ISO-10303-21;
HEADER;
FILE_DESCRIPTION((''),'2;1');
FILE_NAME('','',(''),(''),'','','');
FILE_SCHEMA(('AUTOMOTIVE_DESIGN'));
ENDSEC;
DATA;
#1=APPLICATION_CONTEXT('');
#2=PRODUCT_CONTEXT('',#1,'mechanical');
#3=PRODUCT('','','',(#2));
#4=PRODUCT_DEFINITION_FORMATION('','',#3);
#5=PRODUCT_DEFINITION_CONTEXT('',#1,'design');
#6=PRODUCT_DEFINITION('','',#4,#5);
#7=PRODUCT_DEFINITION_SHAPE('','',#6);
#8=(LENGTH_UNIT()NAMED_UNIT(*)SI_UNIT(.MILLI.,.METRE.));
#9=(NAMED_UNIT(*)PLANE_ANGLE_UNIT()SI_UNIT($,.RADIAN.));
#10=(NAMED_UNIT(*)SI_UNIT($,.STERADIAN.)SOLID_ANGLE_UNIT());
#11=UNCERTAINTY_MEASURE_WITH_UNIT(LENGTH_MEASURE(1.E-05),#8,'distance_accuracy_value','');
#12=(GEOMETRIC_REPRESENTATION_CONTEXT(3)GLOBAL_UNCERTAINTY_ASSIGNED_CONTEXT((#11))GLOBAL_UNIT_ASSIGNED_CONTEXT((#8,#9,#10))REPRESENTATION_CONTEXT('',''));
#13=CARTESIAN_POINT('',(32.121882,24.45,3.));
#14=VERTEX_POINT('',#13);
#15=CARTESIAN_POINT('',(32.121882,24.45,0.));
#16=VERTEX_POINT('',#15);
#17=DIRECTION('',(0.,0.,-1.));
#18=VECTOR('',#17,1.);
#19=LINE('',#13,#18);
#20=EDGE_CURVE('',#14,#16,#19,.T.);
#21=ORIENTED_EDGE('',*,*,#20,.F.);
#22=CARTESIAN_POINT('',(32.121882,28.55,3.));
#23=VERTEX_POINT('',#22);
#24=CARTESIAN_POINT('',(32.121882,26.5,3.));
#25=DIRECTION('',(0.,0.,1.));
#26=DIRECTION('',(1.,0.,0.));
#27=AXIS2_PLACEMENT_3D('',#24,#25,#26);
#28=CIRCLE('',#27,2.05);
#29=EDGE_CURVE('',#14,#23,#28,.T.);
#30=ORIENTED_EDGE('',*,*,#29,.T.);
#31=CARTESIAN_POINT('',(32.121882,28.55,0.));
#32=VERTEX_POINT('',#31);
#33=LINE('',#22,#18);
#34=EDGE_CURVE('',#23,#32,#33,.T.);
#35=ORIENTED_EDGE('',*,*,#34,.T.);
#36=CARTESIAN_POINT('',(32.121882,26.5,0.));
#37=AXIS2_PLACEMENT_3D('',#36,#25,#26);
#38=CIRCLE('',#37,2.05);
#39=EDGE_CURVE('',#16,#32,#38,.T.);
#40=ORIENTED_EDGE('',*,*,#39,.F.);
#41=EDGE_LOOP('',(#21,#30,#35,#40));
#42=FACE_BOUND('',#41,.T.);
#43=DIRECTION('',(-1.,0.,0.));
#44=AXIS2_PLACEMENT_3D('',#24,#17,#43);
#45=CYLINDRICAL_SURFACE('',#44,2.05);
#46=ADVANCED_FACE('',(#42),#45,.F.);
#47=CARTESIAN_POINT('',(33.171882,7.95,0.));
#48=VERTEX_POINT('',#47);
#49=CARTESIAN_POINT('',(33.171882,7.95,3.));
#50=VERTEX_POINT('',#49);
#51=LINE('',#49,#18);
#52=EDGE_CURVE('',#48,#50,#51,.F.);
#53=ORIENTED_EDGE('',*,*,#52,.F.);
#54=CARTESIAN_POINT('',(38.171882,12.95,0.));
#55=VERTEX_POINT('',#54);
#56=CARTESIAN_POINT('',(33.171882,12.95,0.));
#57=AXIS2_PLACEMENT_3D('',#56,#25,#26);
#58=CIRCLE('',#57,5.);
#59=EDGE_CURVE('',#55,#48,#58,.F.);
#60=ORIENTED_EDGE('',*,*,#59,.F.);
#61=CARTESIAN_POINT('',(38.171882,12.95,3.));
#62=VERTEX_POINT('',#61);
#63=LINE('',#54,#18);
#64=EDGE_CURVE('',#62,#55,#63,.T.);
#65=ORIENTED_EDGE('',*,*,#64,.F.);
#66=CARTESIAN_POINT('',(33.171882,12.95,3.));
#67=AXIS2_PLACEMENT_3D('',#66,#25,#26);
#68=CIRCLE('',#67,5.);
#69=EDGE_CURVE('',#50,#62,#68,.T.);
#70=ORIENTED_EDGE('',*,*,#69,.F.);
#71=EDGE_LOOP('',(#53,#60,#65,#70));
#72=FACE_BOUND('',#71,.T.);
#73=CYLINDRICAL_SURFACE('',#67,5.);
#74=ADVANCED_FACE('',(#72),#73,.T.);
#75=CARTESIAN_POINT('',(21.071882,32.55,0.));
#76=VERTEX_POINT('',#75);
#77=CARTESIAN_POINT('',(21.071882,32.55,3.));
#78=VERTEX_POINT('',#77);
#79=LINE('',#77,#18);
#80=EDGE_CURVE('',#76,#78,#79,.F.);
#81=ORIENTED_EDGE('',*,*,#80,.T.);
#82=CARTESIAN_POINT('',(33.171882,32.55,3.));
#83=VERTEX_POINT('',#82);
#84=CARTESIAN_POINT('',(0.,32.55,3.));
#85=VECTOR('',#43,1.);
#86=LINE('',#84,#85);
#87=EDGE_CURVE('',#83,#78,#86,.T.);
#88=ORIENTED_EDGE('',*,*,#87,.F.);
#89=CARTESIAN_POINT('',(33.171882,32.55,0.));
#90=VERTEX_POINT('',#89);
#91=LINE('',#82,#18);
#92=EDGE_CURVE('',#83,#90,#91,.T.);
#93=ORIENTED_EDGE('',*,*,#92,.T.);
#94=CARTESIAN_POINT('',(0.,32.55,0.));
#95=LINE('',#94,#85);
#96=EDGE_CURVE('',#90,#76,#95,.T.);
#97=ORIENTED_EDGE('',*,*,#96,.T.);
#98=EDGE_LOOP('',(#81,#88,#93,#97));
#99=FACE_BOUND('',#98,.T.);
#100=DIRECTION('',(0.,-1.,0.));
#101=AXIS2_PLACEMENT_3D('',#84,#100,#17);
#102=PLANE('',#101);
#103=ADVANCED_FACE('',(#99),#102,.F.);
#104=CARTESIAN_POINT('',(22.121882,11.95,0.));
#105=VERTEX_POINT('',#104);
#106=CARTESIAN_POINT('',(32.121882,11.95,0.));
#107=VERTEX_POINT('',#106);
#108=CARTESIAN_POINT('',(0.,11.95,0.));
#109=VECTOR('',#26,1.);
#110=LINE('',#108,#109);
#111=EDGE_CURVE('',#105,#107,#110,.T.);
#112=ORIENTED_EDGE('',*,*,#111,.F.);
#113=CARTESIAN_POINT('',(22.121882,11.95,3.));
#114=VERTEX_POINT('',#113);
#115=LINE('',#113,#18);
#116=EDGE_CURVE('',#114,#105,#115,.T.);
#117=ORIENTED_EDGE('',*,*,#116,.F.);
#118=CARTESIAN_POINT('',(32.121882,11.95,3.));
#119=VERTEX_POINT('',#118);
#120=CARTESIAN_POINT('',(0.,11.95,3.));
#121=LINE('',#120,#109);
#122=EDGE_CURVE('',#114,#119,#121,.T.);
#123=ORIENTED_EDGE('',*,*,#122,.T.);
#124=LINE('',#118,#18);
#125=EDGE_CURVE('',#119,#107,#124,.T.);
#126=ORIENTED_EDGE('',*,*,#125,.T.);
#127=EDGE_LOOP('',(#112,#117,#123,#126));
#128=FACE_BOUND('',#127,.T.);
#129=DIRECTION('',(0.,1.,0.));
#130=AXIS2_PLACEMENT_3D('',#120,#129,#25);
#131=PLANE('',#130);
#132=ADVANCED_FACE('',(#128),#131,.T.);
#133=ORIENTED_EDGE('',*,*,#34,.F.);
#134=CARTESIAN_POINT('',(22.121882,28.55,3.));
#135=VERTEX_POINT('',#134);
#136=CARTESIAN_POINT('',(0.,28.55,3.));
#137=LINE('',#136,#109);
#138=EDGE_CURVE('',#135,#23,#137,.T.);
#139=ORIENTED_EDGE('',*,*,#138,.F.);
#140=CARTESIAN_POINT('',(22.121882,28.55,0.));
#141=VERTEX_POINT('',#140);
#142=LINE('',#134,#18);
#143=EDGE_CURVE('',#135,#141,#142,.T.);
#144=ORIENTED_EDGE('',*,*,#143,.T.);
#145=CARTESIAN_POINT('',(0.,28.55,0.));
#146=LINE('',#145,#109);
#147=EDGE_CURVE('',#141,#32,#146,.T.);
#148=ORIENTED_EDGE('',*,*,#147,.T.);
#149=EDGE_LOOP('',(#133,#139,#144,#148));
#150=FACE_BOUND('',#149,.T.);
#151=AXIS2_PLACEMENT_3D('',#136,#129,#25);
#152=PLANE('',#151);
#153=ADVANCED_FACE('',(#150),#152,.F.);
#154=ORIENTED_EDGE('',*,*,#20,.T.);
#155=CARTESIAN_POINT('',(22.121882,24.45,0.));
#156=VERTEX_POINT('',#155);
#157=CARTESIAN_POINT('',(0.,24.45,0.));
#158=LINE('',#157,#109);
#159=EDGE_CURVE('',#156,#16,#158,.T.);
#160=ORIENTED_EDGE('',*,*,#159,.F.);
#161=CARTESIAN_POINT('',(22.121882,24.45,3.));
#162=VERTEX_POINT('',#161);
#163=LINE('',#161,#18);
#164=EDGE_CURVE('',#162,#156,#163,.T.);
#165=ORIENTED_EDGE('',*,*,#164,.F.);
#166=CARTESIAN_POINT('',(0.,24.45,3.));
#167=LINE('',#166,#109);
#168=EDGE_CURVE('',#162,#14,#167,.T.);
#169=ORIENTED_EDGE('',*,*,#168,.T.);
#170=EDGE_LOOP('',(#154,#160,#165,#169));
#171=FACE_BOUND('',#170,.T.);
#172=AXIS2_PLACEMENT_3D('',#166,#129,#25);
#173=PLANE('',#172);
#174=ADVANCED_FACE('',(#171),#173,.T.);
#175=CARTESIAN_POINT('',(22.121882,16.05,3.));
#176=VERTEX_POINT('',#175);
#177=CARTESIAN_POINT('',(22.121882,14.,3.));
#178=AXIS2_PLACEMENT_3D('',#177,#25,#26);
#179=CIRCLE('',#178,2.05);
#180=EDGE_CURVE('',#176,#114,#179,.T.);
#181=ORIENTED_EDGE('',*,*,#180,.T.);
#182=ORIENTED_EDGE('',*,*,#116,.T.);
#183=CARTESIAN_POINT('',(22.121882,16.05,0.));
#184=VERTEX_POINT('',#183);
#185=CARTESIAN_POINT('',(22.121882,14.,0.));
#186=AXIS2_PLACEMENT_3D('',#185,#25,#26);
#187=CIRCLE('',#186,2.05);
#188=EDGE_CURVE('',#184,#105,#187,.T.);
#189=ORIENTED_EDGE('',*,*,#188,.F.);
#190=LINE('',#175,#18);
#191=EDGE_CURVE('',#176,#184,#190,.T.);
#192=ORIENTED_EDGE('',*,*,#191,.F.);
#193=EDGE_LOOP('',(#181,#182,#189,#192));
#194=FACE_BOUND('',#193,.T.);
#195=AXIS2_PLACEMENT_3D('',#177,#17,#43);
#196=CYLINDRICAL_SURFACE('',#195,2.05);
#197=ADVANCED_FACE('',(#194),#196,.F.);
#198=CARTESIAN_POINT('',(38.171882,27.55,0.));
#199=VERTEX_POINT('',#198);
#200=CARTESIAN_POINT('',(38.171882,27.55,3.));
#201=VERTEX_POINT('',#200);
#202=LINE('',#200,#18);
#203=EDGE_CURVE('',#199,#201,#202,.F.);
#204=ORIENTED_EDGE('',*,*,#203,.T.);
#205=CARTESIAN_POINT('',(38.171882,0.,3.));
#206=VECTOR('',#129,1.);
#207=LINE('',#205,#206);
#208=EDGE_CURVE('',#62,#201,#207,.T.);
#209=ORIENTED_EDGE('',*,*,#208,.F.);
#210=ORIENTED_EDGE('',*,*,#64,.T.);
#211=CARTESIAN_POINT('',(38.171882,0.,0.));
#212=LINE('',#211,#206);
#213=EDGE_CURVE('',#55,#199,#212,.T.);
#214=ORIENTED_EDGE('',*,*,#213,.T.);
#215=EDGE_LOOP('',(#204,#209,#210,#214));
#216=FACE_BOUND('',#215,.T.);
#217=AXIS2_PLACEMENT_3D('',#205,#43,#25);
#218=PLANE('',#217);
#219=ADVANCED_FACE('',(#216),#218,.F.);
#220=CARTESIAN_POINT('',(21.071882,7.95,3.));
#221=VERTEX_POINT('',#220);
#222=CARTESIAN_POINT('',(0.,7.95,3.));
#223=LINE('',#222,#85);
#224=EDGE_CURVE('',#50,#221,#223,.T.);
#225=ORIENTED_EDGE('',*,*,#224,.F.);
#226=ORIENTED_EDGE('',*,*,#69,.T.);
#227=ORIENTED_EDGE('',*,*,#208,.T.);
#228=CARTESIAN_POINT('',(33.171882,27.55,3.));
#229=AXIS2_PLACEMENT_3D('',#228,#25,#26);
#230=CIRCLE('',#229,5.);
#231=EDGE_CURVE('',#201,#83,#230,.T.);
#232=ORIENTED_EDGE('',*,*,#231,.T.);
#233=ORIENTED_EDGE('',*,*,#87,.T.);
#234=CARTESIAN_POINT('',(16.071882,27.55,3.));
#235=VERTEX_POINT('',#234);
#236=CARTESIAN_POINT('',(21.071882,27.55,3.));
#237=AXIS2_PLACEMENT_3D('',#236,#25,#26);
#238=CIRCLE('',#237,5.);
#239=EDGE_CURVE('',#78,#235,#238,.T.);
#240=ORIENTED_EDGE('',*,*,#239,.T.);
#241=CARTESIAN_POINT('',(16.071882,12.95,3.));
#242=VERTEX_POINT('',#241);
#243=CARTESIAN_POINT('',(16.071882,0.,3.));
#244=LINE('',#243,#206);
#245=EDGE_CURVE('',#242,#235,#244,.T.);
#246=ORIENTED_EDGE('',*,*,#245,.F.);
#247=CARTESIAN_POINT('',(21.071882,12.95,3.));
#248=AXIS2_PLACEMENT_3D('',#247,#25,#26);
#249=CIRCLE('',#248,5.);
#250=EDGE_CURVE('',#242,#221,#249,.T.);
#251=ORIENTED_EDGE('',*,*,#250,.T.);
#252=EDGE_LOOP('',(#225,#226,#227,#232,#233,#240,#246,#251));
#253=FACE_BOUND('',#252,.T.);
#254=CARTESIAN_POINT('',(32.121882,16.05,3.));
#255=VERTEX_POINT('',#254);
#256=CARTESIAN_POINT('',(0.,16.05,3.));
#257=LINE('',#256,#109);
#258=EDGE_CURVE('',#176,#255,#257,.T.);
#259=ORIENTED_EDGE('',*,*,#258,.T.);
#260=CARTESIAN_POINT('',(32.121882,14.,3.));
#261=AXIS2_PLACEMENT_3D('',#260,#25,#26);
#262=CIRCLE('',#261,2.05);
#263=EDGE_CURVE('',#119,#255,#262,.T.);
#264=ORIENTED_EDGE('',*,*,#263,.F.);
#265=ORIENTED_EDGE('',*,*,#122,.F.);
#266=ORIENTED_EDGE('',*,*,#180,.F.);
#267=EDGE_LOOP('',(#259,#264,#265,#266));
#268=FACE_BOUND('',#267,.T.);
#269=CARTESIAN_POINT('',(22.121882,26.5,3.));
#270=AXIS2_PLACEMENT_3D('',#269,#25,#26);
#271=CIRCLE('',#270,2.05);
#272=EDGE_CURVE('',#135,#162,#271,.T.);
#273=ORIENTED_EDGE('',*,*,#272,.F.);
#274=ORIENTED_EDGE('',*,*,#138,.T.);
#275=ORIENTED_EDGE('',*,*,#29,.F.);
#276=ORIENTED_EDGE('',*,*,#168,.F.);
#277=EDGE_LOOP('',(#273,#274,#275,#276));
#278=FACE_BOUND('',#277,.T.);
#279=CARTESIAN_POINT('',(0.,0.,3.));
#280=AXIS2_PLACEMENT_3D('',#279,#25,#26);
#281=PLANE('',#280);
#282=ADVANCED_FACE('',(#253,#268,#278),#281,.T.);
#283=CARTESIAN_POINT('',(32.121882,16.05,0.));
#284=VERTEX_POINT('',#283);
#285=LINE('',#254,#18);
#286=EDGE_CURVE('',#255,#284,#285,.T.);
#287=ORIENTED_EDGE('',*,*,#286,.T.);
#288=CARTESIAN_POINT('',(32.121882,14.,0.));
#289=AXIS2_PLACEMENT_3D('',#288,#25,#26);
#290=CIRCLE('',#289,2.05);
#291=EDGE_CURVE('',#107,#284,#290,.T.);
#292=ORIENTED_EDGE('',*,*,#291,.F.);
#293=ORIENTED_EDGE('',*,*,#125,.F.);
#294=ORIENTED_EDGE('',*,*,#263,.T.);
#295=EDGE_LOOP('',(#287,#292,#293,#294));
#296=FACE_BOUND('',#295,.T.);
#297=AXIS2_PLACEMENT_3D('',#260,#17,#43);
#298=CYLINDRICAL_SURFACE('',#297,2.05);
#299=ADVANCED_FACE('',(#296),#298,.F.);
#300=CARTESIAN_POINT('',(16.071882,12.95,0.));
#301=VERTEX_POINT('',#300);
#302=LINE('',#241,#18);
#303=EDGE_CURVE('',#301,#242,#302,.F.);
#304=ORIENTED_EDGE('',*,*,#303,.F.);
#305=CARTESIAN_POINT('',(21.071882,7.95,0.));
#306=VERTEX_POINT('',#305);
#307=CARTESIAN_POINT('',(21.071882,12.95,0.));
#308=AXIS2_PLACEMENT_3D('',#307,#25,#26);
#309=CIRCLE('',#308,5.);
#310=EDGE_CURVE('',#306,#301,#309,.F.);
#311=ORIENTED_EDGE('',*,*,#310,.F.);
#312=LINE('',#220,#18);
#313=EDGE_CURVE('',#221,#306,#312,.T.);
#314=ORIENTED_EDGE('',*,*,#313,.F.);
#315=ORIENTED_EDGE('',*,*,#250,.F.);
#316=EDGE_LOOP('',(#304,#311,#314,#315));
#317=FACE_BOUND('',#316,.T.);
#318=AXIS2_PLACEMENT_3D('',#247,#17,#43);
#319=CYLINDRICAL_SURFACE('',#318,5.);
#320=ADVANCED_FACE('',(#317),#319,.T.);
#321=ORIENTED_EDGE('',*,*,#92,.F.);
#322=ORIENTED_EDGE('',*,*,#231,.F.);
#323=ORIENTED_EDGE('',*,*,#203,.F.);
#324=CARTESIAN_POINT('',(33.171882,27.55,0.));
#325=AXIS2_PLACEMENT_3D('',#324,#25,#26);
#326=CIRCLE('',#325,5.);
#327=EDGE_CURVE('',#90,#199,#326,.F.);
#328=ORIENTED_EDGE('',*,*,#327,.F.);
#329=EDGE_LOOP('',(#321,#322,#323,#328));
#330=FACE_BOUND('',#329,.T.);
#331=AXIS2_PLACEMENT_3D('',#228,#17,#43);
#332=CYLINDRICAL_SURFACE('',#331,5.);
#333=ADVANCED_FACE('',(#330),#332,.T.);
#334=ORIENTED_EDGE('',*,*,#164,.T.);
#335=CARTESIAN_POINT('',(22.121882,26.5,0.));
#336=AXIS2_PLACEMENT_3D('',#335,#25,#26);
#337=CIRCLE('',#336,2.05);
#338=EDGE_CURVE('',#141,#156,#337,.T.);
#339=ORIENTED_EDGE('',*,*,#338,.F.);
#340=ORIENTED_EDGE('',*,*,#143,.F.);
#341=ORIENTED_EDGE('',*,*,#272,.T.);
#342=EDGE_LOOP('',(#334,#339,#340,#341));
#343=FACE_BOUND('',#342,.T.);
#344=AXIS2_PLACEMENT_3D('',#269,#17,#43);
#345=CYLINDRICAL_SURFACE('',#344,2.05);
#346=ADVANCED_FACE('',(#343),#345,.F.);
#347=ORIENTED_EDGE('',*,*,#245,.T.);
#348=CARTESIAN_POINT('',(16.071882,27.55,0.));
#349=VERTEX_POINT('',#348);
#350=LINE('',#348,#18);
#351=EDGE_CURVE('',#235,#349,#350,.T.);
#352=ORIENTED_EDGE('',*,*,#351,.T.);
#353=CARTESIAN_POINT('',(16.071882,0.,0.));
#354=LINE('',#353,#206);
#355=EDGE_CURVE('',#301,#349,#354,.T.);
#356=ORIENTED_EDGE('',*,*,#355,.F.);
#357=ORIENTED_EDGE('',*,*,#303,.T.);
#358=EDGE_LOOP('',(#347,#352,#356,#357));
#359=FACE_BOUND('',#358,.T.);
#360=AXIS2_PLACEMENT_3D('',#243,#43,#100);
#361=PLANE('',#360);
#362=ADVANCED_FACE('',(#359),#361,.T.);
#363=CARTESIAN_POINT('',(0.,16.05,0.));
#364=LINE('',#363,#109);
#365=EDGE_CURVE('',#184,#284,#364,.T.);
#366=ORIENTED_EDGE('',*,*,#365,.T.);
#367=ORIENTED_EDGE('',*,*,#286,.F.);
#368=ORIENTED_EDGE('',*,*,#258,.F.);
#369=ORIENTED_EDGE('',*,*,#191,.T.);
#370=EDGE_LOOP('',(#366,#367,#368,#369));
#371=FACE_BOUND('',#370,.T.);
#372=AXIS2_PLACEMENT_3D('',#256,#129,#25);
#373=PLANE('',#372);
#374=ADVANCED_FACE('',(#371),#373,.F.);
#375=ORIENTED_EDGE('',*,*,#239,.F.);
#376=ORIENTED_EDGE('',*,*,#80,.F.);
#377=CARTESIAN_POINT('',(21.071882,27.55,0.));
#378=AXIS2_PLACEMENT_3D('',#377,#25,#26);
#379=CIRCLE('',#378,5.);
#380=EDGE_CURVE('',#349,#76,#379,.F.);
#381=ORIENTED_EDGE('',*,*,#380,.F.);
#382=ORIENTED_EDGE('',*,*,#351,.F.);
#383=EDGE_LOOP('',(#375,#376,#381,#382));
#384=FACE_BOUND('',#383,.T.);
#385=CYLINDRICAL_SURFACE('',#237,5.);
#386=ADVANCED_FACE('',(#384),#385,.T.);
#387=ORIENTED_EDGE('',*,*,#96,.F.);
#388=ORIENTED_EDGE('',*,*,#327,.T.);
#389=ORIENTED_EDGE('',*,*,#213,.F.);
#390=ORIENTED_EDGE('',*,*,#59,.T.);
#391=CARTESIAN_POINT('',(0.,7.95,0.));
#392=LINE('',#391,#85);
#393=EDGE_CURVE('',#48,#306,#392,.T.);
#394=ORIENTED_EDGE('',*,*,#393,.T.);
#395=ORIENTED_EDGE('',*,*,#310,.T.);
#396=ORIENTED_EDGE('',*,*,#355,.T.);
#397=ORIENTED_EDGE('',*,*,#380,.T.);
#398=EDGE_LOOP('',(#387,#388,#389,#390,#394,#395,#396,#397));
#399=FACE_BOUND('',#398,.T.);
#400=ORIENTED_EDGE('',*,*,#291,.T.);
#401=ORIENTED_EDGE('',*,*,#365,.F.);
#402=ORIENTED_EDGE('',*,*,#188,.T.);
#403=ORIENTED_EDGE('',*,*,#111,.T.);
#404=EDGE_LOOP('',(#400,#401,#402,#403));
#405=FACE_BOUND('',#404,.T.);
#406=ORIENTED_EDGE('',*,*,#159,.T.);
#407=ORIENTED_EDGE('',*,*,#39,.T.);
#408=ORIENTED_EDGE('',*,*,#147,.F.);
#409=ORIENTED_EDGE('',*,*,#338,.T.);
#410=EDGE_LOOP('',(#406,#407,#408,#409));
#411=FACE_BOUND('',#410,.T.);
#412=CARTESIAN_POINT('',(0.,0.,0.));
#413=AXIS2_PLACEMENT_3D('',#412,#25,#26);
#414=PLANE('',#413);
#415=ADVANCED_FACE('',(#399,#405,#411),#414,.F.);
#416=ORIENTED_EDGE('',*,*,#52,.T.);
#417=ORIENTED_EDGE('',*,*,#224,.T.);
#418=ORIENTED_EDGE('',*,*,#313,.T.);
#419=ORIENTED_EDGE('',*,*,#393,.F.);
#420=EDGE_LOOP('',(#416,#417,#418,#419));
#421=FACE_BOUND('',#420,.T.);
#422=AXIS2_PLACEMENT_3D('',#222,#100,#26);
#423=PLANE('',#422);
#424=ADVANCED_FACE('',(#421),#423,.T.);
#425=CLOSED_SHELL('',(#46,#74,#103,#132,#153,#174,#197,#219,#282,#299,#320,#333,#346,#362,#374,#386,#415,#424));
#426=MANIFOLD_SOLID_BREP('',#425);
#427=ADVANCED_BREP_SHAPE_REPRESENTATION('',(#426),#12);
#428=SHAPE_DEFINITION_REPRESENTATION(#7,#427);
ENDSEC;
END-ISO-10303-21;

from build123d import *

# Parameters (mm, degrees)
ESBO_O1_W                = 22.1
ESBO_O1_H                = 24.6
RESSALTO_EXTRUS_O1_DEPTH = 3
FILETE1_R                = 5


with BuildPart() as part:
    # Esboço1 → Ressalto-extrusão1 (new body)
    with BuildSketch(Plane.XY):
        with Locations((27.12188209, 20.25)):
            Rectangle(ESBO_O1_W, ESBO_O1_H)
        with BuildLine():
            Line((22.12188209, 28.55), (32.12188209, 28.55))
            ThreePointArc((32.12188209, 28.55), (34.17188209, 26.5), (32.12188209, 24.45))
            Line((32.12188209, 24.45), (22.12188209, 24.45))
            ThreePointArc((22.12188209, 24.45), (20.07188209, 26.5), (22.12188209, 28.55))
        make_face(mode=Mode.SUBTRACT)
        with BuildLine():
            Line((22.12188209, 16.05), (32.12188209, 16.05))
            ThreePointArc((32.12188209, 16.05), (34.17188209, 14), (32.12188209, 11.95))
            Line((32.12188209, 11.95), (22.12188209, 11.95))
            ThreePointArc((22.12188209, 11.95), (20.07188209, 14), (22.12188209, 16.05))
        make_face(mode=Mode.SUBTRACT)
    extrude(amount=RESSALTO_EXTRUS_O1_DEPTH)

    # Filete1
    filete1_edges = [part.edges().sort_by_distance(p)[0] for p in [
        (16.07188209, 32.55, 1.5),
        (38.17188209, 32.55, 1.5),
        (38.17188209, 7.95, 1.5),
        (16.07188209, 7.95, 1.5),
    ]]
    fillet(filete1_edges, radius=FILETE1_R)


solid = part.part
